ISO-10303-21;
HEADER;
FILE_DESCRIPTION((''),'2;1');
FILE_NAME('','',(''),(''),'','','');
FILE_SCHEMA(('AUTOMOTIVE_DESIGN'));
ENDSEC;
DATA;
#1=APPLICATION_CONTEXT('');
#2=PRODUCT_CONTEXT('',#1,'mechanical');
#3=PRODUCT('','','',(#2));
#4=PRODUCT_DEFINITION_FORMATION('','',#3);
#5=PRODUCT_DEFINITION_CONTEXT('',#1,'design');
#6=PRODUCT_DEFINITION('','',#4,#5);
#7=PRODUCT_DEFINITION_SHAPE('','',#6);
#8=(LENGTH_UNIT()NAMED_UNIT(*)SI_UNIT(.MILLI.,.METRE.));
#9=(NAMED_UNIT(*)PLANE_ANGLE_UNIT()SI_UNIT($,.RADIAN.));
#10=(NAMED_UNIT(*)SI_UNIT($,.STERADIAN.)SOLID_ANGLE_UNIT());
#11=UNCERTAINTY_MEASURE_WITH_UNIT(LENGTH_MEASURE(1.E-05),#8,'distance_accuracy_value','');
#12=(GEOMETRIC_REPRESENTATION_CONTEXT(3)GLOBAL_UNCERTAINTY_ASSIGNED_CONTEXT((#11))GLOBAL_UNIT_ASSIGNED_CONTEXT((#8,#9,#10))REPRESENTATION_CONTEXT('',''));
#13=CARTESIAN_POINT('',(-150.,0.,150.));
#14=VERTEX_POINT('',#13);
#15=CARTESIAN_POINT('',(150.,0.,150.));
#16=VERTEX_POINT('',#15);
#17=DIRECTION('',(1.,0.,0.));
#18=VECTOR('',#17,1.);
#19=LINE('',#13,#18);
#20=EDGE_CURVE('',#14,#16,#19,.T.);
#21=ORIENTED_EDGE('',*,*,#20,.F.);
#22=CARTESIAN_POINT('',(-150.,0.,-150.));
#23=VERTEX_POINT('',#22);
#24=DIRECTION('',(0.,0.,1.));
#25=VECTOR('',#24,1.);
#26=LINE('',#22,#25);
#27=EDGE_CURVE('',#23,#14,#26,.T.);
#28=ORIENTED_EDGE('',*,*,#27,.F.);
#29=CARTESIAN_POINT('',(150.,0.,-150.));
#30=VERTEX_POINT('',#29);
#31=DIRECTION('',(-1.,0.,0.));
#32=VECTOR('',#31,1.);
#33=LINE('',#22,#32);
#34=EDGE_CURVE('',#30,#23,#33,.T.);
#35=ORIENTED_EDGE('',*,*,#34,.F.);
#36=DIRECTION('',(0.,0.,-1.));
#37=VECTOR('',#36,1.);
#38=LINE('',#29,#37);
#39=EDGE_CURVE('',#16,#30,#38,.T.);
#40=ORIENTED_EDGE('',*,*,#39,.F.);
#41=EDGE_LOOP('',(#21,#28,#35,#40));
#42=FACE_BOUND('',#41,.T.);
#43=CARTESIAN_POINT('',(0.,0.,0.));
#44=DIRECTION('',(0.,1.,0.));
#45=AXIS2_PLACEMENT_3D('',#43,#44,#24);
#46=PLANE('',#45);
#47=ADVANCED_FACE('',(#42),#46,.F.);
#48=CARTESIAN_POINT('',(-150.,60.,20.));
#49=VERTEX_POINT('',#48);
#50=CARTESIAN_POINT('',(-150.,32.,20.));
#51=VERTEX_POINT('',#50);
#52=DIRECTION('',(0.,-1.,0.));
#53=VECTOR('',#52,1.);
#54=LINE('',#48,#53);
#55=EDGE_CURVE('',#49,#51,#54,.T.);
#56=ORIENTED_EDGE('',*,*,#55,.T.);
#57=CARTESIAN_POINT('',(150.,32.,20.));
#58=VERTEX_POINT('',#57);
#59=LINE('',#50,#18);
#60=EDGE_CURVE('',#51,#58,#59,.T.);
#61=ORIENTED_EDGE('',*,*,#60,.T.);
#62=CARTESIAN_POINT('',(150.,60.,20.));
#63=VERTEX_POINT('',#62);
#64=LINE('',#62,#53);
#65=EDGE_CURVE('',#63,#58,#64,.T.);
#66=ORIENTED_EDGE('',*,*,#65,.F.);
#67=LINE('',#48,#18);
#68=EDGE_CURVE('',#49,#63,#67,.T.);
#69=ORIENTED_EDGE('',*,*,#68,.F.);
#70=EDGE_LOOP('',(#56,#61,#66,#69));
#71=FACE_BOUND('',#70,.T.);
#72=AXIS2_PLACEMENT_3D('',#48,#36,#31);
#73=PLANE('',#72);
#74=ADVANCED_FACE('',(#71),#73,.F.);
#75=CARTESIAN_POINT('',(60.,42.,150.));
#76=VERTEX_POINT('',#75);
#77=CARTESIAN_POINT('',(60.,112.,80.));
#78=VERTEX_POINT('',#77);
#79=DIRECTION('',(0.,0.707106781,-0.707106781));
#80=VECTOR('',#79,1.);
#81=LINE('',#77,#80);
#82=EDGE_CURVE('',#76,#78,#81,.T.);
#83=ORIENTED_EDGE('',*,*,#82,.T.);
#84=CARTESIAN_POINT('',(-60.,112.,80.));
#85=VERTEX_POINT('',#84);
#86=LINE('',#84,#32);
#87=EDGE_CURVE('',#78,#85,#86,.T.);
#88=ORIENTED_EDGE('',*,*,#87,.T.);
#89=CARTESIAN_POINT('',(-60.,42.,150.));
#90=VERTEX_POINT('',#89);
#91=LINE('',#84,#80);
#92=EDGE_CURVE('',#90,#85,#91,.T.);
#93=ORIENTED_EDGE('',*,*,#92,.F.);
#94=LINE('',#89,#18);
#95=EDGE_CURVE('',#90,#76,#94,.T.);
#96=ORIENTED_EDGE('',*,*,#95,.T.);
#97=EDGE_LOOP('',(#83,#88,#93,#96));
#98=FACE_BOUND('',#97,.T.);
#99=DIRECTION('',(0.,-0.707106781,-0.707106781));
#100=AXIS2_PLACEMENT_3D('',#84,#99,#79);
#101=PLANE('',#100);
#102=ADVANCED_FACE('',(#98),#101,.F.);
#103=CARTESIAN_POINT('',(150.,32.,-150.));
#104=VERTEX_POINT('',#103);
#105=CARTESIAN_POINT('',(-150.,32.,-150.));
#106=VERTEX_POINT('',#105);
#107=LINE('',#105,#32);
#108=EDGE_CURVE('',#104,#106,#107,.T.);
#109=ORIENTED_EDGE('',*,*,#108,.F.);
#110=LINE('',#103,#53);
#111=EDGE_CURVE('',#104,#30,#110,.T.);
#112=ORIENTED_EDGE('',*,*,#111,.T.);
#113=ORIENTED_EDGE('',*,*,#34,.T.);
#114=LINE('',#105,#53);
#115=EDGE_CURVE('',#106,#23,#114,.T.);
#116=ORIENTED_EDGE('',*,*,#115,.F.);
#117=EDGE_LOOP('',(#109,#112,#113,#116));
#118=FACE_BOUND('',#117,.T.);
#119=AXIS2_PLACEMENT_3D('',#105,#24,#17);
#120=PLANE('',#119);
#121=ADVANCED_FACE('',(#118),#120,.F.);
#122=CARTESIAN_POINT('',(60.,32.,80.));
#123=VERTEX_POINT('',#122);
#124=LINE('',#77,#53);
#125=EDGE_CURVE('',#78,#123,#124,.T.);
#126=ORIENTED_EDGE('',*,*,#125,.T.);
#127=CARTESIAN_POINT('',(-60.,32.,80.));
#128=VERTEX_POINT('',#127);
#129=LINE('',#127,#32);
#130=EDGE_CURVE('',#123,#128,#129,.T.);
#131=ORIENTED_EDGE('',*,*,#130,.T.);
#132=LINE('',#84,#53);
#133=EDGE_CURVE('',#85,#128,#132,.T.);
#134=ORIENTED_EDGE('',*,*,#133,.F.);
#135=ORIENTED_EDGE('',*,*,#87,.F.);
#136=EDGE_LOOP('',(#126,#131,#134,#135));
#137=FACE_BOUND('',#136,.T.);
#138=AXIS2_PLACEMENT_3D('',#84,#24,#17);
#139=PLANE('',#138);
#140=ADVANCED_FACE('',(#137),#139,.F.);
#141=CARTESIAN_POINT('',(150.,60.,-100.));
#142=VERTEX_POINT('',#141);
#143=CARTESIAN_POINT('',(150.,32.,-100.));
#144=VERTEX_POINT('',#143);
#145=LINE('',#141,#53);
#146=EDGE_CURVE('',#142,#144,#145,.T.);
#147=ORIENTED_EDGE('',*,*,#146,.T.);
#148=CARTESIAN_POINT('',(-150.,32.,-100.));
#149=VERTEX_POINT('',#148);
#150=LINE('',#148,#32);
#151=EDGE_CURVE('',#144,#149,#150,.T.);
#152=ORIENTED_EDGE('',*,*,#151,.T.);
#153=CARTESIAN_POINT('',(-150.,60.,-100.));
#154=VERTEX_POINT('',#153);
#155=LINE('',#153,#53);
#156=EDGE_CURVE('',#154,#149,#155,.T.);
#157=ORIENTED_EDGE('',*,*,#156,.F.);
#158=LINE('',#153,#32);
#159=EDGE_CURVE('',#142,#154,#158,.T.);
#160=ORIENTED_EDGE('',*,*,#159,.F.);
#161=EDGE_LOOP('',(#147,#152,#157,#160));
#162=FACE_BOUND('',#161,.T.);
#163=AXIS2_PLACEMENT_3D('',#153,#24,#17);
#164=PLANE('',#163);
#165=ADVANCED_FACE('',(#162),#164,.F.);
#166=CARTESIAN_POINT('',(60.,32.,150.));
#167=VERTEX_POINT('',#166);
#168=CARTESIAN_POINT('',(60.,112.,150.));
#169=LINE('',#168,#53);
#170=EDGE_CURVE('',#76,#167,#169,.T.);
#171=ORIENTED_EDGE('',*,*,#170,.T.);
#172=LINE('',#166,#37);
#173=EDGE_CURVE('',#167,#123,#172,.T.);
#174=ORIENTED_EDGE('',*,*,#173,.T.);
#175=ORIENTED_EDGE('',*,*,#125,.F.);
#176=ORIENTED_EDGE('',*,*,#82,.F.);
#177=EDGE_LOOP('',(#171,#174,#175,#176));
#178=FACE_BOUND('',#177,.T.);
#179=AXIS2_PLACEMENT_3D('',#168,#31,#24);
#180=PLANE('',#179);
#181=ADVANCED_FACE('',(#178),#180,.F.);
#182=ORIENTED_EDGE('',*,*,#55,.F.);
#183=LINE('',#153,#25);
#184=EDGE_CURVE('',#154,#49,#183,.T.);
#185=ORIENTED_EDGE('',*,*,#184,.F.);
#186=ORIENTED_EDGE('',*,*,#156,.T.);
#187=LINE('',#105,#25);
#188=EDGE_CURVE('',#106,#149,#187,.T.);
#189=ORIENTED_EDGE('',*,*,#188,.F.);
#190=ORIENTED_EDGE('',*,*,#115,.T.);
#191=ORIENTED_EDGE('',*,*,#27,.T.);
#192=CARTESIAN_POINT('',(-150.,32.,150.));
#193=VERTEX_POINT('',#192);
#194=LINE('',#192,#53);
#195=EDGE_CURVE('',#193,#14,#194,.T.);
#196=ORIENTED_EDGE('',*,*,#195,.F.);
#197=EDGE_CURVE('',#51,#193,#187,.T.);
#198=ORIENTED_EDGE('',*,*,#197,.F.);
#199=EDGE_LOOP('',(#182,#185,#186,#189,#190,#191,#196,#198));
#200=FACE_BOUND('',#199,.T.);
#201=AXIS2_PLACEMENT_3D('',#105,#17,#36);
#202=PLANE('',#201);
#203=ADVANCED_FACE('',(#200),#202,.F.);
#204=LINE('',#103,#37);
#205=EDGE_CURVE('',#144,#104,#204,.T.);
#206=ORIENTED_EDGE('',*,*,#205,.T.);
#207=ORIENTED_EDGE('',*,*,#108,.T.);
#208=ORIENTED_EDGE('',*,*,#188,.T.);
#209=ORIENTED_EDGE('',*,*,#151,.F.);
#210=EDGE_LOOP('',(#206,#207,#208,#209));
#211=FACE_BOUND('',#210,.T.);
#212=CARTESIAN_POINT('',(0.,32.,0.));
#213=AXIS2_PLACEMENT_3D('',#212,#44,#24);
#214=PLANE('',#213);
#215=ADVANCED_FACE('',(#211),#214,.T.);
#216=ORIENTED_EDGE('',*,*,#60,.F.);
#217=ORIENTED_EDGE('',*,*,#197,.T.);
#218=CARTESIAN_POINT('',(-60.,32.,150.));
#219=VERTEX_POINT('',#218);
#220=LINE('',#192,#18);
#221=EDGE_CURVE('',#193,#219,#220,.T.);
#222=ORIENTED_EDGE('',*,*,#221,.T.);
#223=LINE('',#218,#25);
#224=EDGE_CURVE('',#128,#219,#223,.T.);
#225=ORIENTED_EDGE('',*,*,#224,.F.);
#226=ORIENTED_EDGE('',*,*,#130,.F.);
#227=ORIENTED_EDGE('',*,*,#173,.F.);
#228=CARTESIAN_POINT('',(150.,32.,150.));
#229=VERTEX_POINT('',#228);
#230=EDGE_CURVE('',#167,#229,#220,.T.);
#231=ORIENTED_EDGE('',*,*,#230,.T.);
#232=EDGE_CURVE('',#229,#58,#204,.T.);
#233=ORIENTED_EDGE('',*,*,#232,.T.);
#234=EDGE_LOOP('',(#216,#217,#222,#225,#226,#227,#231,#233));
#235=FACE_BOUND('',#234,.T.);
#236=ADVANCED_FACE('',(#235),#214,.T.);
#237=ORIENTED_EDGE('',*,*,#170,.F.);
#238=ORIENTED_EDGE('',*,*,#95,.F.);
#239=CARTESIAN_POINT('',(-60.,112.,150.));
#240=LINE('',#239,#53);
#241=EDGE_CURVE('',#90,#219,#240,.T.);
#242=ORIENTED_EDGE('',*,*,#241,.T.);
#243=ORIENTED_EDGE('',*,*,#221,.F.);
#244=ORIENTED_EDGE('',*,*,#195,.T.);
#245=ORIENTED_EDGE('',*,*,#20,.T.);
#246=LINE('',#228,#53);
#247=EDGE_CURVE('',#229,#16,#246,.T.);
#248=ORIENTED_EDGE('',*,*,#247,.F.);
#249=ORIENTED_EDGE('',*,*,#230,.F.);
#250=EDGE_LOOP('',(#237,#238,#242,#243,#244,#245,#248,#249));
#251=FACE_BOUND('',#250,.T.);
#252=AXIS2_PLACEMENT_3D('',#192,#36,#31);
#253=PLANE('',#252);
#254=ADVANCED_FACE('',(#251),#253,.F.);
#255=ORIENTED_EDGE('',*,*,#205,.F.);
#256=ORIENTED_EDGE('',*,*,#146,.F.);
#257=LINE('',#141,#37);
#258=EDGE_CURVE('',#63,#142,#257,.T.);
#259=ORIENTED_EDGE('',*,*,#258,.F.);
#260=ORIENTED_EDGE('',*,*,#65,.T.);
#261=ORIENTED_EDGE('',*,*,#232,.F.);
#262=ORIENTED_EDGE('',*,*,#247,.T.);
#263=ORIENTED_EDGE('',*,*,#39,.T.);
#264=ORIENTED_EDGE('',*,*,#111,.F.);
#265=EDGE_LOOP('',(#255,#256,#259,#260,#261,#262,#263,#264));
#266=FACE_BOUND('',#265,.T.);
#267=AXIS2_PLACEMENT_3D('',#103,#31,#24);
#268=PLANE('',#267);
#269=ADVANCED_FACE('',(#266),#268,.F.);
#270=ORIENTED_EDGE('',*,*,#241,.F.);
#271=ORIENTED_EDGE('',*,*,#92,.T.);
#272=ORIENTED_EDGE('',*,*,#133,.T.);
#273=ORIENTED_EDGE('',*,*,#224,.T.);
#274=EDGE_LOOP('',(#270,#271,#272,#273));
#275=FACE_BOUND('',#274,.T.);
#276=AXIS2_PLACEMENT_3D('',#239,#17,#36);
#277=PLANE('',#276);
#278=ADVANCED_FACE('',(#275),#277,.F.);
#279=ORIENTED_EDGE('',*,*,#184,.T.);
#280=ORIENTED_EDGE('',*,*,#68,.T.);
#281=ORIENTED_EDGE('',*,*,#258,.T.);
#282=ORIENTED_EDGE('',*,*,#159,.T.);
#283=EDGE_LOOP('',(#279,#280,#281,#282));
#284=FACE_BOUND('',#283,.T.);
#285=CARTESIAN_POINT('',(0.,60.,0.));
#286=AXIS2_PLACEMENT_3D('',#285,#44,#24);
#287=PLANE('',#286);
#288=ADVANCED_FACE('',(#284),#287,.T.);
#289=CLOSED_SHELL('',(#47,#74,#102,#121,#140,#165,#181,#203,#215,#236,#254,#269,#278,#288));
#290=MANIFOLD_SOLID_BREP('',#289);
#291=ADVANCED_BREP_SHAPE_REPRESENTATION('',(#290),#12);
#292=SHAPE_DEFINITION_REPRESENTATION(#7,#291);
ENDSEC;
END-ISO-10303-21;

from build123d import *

# Parameters (mm, degrees)
SKETCH1_W           = 300
SKETCH1_H           = 300
BOSS_EXTRUDE1_DEPTH = 32
SKETCH2_W           = 300
SKETCH2_H           = 120
BOSS_EXTRUDE2_DEPTH = 28
SKETCH3_W           = 120
SKETCH3_H           = 70
BOSS_EXTRUDE3_DEPTH = 80
CUT_EXTRUDE1_DEPTH  = 120


with BuildPart() as part:
    # Sketch1 → Boss-Extrude1 (new body)
    with BuildSketch(Plane(origin=(0, 0, 0), x_dir=(1, 0, 0), z_dir=(0, 1, 0))):
        Rectangle(SKETCH1_W, SKETCH1_H)
    extrude(amount=BOSS_EXTRUDE1_DEPTH)

    # Sketch2 → Boss-Extrude2 (add)
    with BuildSketch(Plane(origin=(0, 32, 0), x_dir=(1, 0, 0), z_dir=(0, 1, 0))):
        with Locations((0, 40)):
            Rectangle(SKETCH2_W, SKETCH2_H)
    extrude(amount=BOSS_EXTRUDE2_DEPTH)

    # Sketch3 → Boss-Extrude3 (add)
    with BuildSketch(Plane(origin=(0, 32, 0), x_dir=(1, 0, 0), z_dir=(0, 1, 0))):
        with Locations((0, -115)):
            Rectangle(SKETCH3_W, SKETCH3_H)
    extrude(amount=BOSS_EXTRUDE3_DEPTH)

    # Sketch4 → Cut-Extrude1 (cut)
    with BuildSketch(Plane(origin=(60, 0, 0), x_dir=(0, 0, -1), z_dir=(1, 0, 0))):
        Polygon((-80, 112), (-150, 42), (-150, 112), align=None)
    extrude(amount=-CUT_EXTRUDE1_DEPTH, mode=Mode.SUBTRACT)


solid = part.part
